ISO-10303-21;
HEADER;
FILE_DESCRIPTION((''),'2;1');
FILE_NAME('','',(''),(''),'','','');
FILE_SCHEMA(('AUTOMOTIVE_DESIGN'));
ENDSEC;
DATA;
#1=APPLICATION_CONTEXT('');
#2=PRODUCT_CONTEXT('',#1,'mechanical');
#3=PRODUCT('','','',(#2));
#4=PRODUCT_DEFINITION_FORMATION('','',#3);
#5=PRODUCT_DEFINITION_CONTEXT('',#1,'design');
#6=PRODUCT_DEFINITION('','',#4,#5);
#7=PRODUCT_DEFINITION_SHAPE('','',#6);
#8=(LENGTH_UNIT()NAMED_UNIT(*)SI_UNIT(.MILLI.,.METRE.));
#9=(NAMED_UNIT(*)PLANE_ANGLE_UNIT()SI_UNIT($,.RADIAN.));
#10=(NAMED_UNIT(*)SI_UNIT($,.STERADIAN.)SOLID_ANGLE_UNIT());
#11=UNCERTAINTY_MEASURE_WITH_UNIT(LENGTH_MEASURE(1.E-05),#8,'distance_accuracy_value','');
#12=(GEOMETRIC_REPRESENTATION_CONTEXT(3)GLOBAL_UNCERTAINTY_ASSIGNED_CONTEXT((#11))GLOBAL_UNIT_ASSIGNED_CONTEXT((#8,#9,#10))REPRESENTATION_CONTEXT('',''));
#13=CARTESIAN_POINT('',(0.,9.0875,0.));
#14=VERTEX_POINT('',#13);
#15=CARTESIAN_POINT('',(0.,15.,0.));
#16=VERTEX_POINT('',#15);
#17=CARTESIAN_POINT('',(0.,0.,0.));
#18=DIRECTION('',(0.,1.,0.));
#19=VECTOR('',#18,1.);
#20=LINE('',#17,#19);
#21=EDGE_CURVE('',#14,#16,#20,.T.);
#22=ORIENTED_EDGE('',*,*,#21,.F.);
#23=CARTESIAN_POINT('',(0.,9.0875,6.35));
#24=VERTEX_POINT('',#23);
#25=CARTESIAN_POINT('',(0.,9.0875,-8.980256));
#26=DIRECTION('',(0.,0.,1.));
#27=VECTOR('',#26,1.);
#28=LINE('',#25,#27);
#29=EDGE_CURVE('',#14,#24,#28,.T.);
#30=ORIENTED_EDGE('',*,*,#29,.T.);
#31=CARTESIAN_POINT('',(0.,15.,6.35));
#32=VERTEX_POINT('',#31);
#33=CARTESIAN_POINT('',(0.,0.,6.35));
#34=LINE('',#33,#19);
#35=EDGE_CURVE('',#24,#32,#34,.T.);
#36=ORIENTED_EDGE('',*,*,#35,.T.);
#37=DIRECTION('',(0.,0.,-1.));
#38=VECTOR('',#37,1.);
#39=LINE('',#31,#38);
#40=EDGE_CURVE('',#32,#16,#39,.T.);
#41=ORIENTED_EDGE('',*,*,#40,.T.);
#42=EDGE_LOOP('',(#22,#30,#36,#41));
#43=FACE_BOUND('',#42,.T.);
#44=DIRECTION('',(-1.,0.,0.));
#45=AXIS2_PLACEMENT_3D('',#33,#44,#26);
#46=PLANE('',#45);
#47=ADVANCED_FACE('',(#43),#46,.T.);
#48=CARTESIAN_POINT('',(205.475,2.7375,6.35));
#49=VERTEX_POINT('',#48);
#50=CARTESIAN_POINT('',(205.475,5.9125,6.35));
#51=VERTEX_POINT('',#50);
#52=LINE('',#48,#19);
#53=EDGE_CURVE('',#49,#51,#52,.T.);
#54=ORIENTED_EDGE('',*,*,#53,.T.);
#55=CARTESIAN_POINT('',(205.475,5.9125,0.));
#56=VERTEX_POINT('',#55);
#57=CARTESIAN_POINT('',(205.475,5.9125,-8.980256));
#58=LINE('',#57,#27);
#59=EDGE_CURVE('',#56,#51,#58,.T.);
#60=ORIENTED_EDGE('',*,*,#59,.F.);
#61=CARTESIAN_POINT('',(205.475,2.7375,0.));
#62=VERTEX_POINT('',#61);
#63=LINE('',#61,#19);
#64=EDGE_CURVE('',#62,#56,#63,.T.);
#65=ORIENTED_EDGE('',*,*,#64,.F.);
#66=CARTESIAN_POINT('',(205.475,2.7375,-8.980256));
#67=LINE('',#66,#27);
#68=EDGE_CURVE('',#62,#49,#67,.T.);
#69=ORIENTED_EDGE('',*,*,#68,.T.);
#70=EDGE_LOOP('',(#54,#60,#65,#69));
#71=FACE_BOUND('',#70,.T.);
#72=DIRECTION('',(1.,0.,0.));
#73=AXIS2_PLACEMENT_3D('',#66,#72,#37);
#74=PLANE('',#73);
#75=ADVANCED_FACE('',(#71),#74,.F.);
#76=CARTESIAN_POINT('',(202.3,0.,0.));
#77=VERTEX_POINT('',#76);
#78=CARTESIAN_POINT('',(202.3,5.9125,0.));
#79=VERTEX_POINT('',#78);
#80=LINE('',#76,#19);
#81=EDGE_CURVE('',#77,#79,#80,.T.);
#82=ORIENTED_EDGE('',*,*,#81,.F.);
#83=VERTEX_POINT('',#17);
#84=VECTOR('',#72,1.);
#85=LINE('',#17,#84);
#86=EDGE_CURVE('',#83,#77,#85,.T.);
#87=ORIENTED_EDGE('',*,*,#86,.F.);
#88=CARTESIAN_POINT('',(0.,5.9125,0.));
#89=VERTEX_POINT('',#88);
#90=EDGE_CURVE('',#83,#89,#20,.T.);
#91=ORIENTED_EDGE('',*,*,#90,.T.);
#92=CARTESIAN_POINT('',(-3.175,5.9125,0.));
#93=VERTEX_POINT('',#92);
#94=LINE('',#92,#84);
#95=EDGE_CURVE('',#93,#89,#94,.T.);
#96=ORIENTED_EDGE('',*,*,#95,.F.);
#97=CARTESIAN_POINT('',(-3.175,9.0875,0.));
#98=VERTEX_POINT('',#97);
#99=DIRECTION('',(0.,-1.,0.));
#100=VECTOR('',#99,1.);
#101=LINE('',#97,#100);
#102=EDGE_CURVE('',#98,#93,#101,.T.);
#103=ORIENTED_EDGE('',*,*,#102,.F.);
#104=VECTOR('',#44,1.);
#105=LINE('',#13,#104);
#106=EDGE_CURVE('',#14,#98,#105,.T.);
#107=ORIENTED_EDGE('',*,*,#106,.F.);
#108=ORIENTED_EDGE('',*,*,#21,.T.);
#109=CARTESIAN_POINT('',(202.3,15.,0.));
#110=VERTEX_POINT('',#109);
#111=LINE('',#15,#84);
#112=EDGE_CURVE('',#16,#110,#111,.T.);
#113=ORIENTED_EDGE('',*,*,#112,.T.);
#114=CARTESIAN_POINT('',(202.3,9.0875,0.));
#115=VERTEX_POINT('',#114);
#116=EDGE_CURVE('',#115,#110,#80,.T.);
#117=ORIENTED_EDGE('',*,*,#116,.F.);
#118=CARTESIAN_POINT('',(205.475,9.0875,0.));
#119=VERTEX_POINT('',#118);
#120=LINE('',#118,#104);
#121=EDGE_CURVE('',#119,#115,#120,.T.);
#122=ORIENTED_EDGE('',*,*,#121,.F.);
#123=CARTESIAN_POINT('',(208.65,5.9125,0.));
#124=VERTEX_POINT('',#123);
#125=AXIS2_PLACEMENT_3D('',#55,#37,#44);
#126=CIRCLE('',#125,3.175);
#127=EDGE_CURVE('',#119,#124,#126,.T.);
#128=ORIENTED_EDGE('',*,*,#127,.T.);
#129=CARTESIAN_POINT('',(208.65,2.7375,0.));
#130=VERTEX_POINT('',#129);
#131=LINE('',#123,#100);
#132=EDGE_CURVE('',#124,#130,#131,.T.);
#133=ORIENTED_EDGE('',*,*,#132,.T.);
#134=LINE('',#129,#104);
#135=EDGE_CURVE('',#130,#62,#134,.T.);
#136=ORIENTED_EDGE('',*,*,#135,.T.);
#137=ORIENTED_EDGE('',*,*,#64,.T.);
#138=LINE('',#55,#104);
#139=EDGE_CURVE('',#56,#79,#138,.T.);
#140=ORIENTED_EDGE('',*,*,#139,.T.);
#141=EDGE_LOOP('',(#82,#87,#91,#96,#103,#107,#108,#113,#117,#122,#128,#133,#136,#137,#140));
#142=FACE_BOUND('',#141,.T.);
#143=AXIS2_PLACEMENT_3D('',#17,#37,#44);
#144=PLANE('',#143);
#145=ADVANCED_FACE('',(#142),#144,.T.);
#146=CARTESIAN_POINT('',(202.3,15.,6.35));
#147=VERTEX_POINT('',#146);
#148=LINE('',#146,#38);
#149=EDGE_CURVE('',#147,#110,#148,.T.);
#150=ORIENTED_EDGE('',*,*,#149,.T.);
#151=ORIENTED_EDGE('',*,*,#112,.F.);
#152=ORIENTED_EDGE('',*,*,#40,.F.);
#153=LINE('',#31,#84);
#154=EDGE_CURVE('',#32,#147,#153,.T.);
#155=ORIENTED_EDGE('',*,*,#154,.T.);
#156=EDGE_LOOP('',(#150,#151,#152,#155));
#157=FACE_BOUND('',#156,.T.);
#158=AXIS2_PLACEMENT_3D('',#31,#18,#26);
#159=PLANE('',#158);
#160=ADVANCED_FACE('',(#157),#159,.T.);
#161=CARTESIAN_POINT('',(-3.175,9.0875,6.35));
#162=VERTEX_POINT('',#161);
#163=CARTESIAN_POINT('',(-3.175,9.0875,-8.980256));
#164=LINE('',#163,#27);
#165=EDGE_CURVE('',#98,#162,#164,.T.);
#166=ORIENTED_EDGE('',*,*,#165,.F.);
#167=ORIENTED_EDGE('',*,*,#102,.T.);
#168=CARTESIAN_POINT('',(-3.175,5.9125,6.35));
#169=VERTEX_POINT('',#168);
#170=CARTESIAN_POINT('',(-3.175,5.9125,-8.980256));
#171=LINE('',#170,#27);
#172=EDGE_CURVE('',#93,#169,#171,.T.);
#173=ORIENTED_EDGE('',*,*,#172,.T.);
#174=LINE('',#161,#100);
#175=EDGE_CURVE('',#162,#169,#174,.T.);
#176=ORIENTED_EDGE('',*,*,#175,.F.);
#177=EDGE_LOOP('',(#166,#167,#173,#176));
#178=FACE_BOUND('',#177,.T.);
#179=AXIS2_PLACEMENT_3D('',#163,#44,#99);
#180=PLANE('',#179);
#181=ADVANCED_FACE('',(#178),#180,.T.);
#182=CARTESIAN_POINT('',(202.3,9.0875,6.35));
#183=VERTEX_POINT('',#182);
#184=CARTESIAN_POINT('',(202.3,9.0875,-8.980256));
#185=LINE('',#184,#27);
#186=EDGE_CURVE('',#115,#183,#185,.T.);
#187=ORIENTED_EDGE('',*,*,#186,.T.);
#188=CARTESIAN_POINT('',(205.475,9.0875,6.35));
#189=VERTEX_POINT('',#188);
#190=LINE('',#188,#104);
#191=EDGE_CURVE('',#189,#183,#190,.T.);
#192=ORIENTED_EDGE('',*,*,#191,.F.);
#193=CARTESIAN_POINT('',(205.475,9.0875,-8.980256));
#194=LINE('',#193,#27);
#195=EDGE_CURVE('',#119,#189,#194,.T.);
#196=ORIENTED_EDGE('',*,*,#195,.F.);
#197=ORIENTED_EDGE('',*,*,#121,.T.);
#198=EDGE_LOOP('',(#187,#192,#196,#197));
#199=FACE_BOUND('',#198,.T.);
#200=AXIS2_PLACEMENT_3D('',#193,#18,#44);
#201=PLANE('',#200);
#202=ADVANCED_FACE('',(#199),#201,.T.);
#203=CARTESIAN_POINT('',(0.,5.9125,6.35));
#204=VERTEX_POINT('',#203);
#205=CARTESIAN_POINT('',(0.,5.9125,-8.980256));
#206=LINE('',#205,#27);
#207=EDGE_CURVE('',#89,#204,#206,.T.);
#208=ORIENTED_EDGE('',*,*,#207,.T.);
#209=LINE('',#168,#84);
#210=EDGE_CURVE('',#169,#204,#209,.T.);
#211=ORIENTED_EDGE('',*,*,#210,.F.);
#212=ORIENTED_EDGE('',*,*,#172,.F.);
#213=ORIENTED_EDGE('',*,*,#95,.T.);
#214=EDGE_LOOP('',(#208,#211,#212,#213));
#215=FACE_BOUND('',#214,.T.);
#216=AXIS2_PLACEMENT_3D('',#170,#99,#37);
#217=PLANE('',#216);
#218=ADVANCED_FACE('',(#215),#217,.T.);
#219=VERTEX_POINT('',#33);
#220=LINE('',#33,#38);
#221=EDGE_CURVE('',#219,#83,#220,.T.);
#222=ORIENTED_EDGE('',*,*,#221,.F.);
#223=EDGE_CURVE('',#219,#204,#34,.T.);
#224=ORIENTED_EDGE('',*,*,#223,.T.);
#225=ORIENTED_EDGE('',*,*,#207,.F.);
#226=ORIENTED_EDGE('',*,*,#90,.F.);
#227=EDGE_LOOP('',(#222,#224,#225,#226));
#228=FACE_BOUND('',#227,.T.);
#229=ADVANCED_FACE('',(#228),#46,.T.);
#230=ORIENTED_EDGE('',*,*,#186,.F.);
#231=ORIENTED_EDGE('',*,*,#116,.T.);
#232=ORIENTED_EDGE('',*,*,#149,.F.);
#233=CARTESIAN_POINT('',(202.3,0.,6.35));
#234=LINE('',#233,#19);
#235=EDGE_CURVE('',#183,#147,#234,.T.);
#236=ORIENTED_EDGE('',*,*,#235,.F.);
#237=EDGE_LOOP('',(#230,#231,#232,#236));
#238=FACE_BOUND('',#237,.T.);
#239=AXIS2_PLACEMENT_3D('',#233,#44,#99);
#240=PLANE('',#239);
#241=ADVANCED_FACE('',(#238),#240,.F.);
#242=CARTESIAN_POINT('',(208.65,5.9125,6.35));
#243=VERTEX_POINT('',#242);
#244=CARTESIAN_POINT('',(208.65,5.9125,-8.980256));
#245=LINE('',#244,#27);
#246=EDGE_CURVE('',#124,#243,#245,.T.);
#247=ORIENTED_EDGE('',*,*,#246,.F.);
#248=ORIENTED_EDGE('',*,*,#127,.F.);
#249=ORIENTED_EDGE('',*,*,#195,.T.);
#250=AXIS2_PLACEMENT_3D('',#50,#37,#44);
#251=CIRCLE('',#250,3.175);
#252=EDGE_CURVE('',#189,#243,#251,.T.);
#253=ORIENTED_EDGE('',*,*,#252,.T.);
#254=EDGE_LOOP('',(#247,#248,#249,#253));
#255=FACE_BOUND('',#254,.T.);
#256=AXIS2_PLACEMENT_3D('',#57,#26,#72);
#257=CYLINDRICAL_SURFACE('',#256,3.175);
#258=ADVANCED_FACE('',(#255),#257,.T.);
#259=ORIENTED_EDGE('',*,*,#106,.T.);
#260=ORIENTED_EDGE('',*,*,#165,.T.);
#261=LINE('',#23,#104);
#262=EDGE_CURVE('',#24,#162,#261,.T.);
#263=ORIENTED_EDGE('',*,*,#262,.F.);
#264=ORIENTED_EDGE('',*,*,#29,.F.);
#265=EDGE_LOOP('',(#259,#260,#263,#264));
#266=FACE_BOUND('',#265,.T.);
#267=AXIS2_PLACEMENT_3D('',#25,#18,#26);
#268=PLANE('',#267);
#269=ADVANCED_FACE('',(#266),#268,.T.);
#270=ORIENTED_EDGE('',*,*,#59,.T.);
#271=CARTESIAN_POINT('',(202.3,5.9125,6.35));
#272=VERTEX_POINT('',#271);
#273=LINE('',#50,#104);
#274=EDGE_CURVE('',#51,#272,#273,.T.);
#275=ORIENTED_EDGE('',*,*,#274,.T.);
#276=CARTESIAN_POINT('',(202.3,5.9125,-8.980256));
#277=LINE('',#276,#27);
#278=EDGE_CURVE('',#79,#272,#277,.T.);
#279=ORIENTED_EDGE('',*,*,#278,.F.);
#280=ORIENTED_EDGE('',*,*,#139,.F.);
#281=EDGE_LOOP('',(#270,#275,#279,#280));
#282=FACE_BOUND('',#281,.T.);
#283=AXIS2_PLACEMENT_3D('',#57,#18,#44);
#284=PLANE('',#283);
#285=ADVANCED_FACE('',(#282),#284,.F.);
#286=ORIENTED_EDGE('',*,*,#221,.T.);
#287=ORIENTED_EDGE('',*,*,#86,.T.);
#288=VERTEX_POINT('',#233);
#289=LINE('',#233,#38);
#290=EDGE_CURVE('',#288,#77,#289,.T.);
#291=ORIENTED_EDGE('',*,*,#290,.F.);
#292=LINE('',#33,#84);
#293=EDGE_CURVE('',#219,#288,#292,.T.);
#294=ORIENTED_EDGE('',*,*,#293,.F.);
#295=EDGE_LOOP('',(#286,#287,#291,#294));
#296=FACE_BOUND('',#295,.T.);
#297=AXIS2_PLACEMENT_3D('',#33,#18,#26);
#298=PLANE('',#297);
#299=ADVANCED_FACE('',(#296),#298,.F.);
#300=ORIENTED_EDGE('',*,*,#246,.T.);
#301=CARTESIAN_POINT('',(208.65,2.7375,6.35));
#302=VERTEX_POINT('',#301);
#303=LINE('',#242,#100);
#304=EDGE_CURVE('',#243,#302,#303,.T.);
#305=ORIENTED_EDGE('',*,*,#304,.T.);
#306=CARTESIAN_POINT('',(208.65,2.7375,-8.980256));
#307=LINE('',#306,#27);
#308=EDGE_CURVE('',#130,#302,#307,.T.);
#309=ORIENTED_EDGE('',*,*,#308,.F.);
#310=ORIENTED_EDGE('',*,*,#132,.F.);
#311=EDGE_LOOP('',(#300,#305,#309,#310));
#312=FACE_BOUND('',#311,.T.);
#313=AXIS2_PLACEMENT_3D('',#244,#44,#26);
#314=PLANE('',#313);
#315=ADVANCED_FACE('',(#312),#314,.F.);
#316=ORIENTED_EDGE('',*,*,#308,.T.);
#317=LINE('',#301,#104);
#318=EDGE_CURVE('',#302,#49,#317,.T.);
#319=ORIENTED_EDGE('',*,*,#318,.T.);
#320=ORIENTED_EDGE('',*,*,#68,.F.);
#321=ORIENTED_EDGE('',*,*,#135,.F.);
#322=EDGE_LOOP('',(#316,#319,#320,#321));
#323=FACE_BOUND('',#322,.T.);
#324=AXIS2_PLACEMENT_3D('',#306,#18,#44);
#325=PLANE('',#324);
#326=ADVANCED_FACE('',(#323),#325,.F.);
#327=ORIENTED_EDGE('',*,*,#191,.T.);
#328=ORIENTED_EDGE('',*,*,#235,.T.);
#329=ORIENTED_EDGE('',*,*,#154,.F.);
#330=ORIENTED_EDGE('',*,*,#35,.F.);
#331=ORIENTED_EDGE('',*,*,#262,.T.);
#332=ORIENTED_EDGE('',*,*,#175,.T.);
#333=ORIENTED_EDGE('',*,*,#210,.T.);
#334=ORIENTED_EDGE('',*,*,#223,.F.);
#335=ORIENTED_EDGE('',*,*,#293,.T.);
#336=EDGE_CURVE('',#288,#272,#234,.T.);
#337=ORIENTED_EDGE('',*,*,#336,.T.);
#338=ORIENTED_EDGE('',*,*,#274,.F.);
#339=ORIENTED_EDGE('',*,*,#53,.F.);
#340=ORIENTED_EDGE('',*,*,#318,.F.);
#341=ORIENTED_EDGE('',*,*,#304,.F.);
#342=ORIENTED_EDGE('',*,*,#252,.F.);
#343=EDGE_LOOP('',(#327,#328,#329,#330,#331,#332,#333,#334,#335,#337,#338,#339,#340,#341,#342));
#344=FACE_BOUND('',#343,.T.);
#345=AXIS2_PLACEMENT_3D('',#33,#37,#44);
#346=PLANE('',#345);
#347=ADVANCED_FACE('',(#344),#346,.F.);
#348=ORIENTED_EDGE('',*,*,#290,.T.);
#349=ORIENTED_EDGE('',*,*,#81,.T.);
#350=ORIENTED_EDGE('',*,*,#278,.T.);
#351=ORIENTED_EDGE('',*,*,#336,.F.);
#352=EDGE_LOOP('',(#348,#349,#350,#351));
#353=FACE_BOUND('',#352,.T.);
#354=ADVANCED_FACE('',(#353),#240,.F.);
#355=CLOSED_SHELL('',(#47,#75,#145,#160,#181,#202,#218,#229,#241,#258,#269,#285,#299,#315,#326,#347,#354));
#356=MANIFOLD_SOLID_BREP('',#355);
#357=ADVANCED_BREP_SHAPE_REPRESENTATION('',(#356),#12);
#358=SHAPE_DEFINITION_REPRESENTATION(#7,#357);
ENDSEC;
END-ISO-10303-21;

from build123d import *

# Parameters (mm, degrees)
SKETCH1_W           = 202.3
SKETCH1_H           = 15
BOSS_EXTRUDE1_DEPTH = 6.35
BOSS_EXTRUDE2_DEPTH = 6.35


with BuildPart() as part:
    # Sketch1 → Boss-Extrude1 (new body)
    with BuildSketch(Plane.XY):
        with Locations((101.15, 7.5)):
            Rectangle(SKETCH1_W, SKETCH1_H)
    extrude(amount=BOSS_EXTRUDE1_DEPTH)

    # Sketch2 → Boss-Extrude2 (add)
    with BuildSketch(Plane.XY.offset(6.35)):
        with BuildLine():
            Line((208.65, 5.9125), (208.65, 2.7375))
            Line((208.65, 2.7375), (205.475, 2.7375))
            Line((205.475, 2.7375), (205.475, 5.9125))
            Line((205.475, 5.9125), (202.3, 5.9125))
            Line((202.3, 5.9125), (202.3, 7.5))
            Line((202.3, 7.5), (202.3, 9.0875))
            Line((202.3, 9.0875), (205.475, 9.0875))
            ThreePointArc((205.475, 9.0875), (207.72006403, 8.15756403), (208.65, 5.9125))
        make_face()
        Polygon((0, 7.5), (0, 9.0875), (-3.175, 9.0875), (-3.175, 5.9125), (0, 5.9125), align=None)
    extrude(amount=-BOSS_EXTRUDE2_DEPTH)


solid = part.part
